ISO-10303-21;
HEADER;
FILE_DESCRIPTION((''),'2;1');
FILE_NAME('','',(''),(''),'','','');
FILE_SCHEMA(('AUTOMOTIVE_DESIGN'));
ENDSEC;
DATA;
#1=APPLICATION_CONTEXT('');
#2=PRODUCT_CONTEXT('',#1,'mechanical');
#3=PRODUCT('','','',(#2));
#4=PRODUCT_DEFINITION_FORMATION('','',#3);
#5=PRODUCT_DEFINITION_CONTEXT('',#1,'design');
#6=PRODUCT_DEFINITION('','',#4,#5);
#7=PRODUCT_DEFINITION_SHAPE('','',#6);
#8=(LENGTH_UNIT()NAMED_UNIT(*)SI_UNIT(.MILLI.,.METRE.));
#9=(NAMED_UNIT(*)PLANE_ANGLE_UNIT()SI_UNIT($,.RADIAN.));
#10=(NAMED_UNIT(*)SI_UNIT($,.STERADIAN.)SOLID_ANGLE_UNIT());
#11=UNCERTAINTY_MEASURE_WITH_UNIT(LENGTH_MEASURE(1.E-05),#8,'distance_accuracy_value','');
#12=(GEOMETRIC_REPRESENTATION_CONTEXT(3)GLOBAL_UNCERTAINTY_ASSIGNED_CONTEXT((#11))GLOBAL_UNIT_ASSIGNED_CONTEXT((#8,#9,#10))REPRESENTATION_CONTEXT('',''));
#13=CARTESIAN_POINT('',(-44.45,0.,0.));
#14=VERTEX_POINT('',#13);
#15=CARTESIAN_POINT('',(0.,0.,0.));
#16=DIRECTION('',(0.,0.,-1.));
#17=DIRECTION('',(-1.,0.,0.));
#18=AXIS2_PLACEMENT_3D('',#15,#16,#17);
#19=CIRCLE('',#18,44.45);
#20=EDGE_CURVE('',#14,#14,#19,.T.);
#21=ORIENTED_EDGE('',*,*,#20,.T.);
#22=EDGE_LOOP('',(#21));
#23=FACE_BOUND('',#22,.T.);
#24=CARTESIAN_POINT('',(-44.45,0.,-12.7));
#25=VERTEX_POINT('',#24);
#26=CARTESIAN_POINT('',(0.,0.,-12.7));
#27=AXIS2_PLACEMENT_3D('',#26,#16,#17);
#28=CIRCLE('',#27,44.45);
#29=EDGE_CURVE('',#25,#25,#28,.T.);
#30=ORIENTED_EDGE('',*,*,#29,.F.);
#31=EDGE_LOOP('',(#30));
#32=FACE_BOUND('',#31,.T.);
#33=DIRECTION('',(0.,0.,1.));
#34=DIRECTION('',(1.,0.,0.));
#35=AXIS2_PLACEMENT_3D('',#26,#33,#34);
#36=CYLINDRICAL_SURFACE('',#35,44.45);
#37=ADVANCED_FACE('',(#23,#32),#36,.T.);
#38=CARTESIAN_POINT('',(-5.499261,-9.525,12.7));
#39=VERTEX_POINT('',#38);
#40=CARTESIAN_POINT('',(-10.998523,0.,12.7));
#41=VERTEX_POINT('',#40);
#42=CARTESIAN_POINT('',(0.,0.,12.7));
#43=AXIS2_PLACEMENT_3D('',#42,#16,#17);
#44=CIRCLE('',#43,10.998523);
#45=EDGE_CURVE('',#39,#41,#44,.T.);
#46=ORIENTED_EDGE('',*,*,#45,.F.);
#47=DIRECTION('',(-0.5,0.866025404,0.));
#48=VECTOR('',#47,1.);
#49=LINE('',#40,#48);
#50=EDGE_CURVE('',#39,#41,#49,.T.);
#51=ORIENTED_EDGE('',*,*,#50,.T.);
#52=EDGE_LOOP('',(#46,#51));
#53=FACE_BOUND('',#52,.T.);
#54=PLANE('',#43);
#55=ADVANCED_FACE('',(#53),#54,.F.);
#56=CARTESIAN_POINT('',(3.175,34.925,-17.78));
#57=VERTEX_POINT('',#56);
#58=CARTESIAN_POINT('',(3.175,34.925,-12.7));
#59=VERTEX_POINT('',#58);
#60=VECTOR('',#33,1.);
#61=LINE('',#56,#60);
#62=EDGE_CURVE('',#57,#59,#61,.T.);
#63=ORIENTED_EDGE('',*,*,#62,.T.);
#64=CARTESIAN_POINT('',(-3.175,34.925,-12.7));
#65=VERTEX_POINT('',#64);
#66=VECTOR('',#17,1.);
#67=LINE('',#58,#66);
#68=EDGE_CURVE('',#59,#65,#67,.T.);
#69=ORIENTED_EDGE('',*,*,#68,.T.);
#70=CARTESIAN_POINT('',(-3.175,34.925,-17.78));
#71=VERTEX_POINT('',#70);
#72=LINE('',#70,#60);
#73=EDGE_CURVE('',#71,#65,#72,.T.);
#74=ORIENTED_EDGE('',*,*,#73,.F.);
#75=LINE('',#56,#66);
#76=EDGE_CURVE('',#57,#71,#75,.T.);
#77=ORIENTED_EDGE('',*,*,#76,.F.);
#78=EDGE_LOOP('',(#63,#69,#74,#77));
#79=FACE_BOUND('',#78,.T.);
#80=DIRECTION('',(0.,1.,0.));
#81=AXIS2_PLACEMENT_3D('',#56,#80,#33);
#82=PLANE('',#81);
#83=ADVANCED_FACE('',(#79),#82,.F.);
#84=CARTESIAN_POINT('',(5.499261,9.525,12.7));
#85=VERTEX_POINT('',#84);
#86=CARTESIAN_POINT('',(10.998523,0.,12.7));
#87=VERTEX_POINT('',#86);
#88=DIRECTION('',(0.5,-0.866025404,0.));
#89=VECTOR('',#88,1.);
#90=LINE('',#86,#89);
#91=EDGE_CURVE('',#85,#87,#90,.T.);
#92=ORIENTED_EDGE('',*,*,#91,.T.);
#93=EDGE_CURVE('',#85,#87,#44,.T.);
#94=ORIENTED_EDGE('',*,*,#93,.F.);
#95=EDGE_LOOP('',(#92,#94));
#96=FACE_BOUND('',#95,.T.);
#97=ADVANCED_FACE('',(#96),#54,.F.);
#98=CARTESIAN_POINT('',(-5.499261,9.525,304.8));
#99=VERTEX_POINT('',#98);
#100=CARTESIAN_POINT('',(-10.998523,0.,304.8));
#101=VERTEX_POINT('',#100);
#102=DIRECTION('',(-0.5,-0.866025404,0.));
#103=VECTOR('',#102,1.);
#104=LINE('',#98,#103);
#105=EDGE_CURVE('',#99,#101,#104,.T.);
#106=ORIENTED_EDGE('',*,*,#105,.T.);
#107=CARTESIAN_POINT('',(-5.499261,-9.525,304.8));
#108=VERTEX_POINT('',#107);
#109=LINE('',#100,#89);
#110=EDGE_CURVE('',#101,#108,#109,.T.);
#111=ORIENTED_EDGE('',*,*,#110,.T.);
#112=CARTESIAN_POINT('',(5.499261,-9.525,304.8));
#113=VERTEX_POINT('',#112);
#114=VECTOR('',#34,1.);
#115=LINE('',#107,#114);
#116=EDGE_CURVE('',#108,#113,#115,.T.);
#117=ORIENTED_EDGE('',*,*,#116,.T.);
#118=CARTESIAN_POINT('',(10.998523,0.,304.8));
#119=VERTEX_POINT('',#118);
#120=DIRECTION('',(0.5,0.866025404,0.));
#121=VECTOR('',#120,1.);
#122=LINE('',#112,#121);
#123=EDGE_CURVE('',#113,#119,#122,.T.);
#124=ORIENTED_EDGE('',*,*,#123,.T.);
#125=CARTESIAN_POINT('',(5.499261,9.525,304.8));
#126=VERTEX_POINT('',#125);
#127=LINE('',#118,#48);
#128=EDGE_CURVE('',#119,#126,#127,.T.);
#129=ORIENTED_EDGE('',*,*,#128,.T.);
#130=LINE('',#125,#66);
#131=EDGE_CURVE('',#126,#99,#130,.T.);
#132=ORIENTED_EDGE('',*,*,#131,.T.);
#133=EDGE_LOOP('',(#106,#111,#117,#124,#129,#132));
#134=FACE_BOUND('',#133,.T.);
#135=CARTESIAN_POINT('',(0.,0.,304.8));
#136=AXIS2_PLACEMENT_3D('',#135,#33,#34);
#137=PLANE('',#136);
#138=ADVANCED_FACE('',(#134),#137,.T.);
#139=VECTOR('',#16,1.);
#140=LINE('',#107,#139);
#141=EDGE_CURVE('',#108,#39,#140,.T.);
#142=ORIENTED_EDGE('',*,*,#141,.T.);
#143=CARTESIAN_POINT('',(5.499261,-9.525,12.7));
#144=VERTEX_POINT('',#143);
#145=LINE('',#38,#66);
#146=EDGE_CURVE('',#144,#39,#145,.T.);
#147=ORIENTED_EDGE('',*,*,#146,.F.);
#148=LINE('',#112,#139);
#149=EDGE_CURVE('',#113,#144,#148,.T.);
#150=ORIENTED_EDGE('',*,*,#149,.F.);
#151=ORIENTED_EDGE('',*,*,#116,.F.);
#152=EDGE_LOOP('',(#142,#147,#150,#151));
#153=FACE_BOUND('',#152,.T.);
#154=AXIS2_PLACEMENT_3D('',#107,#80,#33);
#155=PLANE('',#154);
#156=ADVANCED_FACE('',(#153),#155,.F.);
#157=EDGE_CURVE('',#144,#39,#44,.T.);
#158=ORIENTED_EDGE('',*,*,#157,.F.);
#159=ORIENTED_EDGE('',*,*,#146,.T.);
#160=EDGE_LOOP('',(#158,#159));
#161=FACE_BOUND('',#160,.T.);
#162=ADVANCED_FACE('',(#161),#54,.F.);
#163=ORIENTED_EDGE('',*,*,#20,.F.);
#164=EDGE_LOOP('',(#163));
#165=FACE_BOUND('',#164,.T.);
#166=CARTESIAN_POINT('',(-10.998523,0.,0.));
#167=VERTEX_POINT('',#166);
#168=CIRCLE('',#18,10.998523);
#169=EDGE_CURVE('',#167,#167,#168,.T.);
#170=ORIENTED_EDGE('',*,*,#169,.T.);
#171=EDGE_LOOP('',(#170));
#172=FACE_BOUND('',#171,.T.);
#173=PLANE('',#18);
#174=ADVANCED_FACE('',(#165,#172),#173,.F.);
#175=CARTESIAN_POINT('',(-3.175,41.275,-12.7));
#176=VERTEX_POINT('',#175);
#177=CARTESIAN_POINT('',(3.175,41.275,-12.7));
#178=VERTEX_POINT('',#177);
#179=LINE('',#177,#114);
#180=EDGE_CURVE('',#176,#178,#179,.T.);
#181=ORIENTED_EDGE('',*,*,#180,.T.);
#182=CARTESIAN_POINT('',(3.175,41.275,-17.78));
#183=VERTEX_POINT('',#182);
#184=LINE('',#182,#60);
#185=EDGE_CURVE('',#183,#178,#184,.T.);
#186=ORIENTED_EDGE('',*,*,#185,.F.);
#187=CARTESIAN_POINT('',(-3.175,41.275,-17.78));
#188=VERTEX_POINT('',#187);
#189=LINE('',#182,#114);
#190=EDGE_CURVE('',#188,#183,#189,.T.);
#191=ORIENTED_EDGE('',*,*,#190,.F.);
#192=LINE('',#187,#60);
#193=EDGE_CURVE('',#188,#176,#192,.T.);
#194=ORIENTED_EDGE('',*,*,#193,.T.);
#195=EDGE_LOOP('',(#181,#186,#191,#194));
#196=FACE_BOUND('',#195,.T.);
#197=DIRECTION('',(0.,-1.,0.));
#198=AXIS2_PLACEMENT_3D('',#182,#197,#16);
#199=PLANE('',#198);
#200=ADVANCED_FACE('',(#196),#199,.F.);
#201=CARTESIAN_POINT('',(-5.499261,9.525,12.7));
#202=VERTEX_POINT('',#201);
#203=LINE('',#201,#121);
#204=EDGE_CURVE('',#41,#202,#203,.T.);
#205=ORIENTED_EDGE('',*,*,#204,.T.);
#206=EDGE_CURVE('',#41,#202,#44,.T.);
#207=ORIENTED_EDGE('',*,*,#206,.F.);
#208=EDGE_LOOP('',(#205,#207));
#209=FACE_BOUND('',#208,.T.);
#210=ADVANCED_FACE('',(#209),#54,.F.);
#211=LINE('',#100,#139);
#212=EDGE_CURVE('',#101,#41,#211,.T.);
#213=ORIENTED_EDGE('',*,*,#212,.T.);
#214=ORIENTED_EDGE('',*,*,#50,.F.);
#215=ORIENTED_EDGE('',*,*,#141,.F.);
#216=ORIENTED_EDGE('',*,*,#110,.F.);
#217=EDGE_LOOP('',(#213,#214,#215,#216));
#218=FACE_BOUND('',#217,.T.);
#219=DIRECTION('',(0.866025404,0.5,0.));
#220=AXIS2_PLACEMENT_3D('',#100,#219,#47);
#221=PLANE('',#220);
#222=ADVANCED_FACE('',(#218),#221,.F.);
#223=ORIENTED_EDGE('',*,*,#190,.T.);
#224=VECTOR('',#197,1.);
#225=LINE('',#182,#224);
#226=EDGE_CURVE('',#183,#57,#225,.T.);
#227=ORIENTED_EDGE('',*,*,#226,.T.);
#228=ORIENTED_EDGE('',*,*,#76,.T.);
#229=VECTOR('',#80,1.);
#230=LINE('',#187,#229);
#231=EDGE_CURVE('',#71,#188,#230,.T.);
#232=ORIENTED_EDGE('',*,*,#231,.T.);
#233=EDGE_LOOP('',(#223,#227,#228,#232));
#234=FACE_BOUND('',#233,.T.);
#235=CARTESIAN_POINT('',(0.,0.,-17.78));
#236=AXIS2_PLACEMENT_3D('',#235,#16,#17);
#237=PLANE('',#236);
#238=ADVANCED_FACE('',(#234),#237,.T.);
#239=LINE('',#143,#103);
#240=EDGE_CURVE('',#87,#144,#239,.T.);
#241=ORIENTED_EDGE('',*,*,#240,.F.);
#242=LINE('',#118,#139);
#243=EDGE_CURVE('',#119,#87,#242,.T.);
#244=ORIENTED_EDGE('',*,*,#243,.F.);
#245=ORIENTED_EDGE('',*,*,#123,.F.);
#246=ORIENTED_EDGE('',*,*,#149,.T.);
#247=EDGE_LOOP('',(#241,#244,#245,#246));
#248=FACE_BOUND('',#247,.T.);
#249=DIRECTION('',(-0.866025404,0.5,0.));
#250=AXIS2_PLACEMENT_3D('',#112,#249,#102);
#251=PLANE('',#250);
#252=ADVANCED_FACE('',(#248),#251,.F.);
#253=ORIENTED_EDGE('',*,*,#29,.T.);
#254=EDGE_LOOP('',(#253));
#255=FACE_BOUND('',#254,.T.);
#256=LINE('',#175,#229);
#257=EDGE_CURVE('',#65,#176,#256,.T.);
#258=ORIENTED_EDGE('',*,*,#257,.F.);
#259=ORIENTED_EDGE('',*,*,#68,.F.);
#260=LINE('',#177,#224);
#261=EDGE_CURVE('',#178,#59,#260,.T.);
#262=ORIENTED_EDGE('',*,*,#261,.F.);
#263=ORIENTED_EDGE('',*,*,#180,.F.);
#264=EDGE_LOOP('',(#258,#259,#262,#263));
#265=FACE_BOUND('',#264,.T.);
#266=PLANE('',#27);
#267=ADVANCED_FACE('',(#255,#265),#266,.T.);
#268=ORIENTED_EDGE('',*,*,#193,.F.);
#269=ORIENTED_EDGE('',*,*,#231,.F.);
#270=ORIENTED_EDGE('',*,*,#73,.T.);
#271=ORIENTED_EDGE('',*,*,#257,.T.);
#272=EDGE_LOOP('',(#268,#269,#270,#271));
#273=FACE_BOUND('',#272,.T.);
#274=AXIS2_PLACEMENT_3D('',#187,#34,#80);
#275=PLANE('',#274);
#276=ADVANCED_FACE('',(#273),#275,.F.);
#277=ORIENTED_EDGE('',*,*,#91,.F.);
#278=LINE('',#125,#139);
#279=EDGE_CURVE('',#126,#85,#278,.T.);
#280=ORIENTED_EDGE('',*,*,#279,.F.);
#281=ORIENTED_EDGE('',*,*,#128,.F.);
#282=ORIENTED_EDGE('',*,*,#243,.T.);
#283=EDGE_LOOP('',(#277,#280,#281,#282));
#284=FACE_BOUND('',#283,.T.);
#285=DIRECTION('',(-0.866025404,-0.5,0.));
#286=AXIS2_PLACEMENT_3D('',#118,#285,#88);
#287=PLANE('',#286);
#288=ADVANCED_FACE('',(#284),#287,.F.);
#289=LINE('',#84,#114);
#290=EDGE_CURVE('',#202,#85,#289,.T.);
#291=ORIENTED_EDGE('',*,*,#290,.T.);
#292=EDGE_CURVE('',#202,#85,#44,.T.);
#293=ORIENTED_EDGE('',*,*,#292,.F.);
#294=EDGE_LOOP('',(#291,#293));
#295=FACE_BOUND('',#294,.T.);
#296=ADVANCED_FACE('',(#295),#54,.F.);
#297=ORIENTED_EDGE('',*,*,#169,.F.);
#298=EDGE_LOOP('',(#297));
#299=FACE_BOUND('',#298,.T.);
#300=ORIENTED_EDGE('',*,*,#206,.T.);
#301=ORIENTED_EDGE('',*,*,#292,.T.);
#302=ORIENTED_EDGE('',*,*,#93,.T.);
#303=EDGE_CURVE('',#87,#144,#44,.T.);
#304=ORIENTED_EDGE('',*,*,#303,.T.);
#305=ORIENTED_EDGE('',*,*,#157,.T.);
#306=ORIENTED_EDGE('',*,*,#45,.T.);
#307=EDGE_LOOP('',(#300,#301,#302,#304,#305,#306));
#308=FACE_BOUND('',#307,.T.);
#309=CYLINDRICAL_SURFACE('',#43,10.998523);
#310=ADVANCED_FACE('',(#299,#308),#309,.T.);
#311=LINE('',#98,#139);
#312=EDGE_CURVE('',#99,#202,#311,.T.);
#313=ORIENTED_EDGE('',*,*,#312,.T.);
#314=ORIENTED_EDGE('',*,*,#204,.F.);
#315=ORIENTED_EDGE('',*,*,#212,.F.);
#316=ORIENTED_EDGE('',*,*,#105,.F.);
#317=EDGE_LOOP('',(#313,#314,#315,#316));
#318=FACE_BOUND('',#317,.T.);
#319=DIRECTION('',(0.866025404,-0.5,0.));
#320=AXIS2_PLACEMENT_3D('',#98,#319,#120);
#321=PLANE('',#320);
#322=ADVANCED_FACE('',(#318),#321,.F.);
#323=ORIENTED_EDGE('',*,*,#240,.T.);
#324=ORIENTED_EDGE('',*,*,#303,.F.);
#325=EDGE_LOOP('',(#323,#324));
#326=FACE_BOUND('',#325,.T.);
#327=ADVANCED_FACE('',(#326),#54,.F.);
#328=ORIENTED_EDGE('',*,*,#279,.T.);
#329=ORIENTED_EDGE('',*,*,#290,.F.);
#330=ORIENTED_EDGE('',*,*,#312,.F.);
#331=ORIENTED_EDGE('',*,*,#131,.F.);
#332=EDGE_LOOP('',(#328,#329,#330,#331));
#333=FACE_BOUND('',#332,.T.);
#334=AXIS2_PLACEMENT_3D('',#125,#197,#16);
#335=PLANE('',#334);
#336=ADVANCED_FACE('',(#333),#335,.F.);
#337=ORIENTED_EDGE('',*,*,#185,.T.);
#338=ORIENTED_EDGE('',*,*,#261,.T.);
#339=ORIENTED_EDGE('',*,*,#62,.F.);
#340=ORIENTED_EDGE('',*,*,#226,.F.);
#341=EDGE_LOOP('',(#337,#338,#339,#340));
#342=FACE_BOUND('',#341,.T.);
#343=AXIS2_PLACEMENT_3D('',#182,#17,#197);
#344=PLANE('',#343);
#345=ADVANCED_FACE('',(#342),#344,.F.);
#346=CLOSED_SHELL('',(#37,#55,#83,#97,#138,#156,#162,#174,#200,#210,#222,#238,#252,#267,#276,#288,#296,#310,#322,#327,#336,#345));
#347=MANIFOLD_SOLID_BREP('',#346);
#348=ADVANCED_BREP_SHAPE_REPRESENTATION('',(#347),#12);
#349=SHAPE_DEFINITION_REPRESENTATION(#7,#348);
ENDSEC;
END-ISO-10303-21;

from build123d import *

# Parameters (mm, degrees)
BOSS_EXTRUDE1_DEPTH = 304.8
SKETCH2_R           = 10.998522628
BOSS_EXTRUDE2_DEPTH = 12.7
SKETCH3_R           = 44.45
BOSS_EXTRUDE3_DEPTH = 12.7
SKETCH4_W           = 6.35
SKETCH4_H           = 6.35
BOSS_EXTRUDE4_DEPTH = 5.08


with BuildPart() as part:
    # Sketch1 → Boss-Extrude1 (new body)
    with BuildSketch(Plane.XY):
        Polygon((5.499261314, 9.525), (-5.499261314, 9.525), (-10.998522628, 0), (-5.499261314, -9.525), (5.499261314, -9.525), (10.998522628, 0), align=None)
    extrude(amount=BOSS_EXTRUDE1_DEPTH)

    # Sketch2 → Boss-Extrude2 (add)
    with BuildSketch(Plane(origin=(0, 0, 0), x_dir=(-1, 0, 0), z_dir=(0, 0, -1))):
        Circle(SKETCH2_R)
    extrude(amount=-BOSS_EXTRUDE2_DEPTH)

    # Sketch3 → Boss-Extrude3 (add)
    with BuildSketch(Plane(origin=(0, 0, 0), x_dir=(-1, 0, 0), z_dir=(0, 0, -1))):
        Circle(SKETCH3_R)
    extrude(amount=BOSS_EXTRUDE3_DEPTH)

    # Sketch4 → Boss-Extrude4 (add)
    with BuildSketch(Plane(origin=(0, 0, -12.7), x_dir=(-1, 0, 0), z_dir=(0, 0, -1))):
        with Locations((0, 38.1)):
            Rectangle(SKETCH4_W, SKETCH4_H)
    extrude(amount=BOSS_EXTRUDE4_DEPTH)


solid = part.part
